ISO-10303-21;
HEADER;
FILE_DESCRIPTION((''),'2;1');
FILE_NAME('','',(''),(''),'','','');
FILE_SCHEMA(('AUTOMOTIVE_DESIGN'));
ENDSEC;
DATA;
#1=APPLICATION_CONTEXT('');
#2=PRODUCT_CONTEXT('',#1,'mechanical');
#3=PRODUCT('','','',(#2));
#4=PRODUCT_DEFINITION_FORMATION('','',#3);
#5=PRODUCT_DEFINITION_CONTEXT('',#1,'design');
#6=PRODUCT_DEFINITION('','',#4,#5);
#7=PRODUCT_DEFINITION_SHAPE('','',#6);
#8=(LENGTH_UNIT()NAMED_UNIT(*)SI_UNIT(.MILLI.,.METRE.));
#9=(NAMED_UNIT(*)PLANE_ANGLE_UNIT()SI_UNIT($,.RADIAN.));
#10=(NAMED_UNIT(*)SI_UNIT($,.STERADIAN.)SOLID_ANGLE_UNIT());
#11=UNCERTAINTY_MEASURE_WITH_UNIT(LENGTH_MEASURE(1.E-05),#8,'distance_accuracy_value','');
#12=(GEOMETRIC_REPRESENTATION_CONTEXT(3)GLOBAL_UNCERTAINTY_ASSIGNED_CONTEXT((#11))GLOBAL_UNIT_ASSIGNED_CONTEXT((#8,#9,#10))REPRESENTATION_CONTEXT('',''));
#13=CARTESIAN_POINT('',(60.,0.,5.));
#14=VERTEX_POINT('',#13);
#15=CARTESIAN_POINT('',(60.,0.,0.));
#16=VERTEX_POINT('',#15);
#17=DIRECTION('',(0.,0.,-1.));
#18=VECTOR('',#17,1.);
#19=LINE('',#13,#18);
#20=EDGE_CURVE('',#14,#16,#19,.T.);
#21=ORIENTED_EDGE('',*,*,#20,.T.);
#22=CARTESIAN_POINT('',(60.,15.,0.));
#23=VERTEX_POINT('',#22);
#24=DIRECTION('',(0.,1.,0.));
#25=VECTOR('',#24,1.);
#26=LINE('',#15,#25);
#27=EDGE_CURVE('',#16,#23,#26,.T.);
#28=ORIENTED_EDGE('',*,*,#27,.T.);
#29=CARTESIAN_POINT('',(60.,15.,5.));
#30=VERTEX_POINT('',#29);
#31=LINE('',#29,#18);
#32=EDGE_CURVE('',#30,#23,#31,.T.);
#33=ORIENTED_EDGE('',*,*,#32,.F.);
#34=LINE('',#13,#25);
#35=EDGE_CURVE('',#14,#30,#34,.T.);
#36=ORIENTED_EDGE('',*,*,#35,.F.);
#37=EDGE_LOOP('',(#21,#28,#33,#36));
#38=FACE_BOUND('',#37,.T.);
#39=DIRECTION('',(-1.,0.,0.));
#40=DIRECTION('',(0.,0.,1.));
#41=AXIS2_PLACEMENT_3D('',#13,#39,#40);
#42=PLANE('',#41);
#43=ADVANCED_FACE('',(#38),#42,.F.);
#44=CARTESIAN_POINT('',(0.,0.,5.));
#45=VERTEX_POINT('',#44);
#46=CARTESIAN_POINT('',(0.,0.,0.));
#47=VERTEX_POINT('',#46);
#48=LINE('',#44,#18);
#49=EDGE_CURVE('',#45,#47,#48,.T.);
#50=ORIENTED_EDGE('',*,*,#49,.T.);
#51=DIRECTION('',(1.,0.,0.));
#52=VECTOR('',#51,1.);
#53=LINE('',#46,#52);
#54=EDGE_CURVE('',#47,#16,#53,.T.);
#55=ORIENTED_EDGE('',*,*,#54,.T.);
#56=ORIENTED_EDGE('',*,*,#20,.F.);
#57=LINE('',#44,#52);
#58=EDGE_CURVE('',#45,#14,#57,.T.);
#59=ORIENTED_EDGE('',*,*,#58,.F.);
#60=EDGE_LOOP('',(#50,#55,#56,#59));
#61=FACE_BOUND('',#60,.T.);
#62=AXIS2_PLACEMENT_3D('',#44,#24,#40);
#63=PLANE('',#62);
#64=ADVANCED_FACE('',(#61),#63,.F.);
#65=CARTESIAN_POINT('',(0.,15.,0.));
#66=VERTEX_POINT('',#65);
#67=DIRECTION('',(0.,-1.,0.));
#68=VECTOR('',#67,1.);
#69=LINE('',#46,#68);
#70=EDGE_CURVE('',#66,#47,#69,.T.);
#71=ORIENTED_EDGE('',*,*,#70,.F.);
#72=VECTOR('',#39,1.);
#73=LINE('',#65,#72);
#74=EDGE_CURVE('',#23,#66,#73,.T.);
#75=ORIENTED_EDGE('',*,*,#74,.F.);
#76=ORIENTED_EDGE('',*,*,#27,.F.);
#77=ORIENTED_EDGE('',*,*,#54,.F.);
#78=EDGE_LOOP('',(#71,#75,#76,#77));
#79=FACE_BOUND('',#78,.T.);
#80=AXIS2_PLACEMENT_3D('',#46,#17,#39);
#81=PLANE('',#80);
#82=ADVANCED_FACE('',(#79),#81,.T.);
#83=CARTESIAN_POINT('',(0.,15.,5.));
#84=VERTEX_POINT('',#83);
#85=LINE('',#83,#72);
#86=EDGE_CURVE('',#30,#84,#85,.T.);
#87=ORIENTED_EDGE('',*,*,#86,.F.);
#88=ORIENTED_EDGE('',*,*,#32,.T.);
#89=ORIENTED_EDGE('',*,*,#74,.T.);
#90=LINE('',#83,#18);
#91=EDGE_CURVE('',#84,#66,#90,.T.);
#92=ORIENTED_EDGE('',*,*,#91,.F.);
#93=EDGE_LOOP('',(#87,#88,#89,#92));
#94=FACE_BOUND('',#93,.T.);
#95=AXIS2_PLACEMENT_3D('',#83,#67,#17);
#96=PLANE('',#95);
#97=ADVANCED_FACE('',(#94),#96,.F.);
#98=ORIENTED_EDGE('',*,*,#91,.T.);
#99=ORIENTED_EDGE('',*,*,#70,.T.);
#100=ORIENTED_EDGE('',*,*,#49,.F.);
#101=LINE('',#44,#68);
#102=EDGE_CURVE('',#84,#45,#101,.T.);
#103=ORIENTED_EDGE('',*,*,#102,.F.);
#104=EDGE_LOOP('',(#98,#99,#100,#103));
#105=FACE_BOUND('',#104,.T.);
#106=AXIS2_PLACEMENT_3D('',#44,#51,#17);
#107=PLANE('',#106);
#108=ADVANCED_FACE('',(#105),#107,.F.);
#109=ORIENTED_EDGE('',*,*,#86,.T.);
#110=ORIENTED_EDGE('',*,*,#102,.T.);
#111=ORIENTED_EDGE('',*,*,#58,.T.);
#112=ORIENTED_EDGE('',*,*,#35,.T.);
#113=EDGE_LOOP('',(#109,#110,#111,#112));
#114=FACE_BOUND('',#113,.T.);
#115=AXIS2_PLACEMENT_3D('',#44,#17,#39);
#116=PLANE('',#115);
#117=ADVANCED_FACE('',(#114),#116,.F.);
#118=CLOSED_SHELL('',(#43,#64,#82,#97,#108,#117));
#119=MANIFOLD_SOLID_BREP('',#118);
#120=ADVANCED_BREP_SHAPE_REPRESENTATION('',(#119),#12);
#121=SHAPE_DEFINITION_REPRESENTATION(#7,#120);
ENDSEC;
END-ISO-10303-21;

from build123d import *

# Parameters (mm, degrees)
SKETCH1_W           = 60
SKETCH1_H           = 15
BOSS_EXTRUDE1_DEPTH = 5


with BuildPart() as part:
    # Sketch1 → Boss-Extrude1 (new body)
    with BuildSketch(Plane.XY):
        with Locations((30, 7.5)):
            Rectangle(SKETCH1_W, SKETCH1_H)
    extrude(amount=BOSS_EXTRUDE1_DEPTH)


solid = part.part
